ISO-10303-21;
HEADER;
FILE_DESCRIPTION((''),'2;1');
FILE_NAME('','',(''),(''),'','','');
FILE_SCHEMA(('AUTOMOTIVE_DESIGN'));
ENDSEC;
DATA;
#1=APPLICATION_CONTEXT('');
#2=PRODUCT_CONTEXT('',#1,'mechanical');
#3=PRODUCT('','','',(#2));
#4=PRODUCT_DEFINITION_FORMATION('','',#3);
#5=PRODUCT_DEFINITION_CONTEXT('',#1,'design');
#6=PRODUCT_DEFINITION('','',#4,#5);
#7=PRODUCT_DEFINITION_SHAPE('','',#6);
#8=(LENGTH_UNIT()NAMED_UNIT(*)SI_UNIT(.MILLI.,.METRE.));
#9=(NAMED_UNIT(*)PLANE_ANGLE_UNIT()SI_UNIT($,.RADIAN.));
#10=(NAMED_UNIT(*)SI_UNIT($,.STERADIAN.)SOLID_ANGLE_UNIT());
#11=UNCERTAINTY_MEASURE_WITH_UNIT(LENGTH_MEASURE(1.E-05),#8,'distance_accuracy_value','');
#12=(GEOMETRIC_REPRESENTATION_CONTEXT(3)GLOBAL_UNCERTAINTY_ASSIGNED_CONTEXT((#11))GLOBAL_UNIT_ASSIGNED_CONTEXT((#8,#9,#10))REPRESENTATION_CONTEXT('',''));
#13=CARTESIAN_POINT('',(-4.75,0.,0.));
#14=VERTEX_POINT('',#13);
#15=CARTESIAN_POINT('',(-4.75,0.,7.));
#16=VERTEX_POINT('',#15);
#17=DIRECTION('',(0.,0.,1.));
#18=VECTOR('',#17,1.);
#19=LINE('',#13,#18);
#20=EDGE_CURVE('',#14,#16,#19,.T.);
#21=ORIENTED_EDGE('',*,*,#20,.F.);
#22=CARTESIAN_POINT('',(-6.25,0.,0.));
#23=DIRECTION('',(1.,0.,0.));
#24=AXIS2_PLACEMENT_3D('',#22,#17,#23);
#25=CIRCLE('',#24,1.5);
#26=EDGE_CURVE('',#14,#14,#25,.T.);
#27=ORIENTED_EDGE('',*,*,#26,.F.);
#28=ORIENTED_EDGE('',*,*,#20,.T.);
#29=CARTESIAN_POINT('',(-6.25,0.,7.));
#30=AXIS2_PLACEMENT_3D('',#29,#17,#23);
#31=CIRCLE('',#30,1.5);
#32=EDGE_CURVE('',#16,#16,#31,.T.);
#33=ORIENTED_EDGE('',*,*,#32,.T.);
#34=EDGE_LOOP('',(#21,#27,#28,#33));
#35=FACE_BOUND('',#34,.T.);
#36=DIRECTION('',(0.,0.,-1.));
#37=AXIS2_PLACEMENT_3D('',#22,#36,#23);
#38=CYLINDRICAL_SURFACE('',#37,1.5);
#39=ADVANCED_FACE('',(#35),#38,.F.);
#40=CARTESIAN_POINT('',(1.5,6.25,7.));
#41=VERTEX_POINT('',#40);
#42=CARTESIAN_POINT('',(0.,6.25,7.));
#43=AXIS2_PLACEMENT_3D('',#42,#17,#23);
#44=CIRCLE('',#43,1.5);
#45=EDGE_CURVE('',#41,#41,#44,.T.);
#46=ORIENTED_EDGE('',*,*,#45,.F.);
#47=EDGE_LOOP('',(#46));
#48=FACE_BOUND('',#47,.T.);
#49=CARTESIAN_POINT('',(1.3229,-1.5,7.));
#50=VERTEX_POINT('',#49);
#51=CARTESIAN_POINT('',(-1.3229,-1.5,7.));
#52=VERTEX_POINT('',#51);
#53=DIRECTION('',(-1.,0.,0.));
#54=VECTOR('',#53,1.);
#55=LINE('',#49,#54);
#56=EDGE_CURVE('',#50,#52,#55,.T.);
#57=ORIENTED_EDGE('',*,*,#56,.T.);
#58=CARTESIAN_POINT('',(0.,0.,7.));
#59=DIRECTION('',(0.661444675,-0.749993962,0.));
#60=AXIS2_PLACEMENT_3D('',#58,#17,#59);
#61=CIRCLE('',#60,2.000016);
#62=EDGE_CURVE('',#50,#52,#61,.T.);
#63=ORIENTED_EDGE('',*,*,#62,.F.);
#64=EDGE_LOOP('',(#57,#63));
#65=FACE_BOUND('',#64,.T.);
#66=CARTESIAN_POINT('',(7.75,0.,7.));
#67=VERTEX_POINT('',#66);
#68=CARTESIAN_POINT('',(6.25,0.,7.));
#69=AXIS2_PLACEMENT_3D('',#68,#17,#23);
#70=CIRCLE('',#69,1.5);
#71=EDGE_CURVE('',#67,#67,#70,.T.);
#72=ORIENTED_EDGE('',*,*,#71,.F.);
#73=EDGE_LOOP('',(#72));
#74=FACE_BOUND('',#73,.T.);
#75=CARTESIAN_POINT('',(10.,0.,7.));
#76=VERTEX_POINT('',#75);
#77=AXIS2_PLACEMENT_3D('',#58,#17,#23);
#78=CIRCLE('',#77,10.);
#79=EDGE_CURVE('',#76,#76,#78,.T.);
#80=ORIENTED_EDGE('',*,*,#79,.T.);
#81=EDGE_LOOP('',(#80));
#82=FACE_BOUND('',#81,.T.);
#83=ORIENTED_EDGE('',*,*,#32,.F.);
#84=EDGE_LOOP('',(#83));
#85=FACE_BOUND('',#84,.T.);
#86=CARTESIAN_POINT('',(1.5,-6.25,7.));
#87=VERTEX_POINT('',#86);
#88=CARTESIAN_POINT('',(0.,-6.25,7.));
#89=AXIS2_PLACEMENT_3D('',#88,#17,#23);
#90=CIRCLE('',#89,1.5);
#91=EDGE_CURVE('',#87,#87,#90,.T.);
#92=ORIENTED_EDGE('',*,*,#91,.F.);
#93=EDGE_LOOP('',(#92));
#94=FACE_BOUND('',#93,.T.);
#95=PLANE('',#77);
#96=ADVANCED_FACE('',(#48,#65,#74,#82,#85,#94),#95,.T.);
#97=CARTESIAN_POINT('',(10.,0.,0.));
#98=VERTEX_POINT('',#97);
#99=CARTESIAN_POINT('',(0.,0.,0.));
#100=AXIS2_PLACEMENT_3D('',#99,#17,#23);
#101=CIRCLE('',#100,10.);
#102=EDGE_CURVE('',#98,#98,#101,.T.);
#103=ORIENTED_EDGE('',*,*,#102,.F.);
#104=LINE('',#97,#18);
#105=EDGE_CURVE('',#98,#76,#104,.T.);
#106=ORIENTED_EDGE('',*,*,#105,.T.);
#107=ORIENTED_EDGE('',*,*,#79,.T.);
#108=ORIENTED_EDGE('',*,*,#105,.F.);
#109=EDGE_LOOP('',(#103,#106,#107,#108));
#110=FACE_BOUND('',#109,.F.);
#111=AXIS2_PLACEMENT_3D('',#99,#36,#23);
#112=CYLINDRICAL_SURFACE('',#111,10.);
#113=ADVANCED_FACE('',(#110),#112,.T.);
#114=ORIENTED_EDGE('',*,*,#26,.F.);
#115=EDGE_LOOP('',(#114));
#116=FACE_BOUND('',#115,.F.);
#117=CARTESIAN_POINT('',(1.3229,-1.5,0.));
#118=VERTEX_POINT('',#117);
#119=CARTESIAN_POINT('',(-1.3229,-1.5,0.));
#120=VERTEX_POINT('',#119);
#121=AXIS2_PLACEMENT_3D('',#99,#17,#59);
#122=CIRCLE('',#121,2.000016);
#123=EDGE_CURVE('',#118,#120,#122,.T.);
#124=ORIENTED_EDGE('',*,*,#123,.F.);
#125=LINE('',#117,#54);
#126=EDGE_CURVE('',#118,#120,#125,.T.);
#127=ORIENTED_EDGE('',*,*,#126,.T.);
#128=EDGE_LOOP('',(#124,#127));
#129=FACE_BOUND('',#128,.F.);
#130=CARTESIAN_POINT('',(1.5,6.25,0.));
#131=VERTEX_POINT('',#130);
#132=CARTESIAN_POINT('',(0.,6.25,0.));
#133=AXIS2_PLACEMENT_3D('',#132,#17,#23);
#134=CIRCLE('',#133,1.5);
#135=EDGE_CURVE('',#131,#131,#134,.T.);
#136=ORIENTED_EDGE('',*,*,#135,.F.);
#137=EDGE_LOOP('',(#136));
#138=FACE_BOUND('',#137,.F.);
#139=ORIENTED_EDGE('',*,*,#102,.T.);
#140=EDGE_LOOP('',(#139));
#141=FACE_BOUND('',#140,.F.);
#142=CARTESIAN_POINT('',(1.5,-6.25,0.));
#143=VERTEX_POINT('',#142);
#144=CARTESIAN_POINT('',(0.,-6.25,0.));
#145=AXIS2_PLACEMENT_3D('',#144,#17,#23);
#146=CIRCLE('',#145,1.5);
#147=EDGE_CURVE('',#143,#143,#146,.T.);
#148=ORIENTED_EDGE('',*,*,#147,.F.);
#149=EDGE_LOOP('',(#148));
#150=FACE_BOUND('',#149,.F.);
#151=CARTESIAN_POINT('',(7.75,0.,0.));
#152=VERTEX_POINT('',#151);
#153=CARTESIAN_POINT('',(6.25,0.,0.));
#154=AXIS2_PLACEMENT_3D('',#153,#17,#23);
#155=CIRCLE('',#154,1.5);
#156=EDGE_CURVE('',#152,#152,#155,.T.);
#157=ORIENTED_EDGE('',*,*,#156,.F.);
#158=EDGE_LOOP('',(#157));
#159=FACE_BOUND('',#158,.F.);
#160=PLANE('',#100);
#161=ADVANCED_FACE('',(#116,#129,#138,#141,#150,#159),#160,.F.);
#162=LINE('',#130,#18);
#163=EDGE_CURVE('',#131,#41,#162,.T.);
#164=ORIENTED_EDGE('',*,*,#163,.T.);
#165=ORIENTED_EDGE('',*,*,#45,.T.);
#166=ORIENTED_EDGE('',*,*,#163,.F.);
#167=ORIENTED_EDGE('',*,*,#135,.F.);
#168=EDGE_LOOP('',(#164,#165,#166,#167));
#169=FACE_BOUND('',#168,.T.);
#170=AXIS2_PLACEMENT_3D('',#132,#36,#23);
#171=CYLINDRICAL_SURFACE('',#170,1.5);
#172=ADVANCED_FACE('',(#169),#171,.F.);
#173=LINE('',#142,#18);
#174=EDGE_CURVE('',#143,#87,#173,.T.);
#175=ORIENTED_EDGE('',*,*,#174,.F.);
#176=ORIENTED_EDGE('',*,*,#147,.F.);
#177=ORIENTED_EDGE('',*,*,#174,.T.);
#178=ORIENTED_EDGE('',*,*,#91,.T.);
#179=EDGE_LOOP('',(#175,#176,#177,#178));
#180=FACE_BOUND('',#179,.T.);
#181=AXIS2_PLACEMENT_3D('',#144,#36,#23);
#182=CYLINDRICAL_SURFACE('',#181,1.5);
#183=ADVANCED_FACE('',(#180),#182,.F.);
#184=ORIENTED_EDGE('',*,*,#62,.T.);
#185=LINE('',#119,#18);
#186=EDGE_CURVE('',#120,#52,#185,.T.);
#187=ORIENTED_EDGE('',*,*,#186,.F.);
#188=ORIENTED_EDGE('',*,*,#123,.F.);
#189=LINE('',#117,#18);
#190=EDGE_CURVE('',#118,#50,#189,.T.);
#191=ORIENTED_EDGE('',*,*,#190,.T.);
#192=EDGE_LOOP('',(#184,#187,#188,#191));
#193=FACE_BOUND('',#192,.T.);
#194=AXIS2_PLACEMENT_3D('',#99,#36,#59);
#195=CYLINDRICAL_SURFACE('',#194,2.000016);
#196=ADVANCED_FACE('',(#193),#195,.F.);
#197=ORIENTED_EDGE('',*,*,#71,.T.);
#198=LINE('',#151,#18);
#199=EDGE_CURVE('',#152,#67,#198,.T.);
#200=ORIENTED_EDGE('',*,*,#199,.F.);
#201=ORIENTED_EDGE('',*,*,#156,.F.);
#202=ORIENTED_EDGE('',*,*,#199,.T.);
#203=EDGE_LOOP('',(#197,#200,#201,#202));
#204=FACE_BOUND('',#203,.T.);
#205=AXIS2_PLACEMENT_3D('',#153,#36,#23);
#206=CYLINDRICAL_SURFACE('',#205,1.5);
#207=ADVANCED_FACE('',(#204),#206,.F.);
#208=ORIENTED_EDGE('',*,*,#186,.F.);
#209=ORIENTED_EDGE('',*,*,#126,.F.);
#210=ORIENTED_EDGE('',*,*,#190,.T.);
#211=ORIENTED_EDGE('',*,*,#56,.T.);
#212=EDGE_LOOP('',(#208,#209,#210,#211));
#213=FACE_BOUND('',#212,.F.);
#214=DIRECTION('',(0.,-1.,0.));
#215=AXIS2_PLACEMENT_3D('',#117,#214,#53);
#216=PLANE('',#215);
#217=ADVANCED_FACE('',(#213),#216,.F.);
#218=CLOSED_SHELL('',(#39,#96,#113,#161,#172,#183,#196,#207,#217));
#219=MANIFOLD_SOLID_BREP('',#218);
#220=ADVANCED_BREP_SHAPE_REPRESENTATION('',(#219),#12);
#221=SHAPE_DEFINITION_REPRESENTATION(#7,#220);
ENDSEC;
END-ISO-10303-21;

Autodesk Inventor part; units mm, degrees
ref_plane "YZ Plane" through (0, 0, 0) normal (1, 0, 0) x (0, 1, 0)
ref_plane "XZ Plane" through (0, 0, 0) normal (0, 1, 0) x (-1, 0, 0)
ref_plane "XY Plane" through (0, 0, 0) normal (0, 0, 1) x (1, 0, 0)
sketch "Эскиз1" plane through (0, 0, 0) normal (0, 0, 1) x (1, 0, 0)
  circle A0 centre (0, 0) radius 10
  line L0 (0, 0) -> (-6.25, 0) construction
  line L1 (0, 0) -> (6.25, 0) construction
  circle A1 centre (-6.25, 0) radius 1.5
  circle A2 centre (6.25, 0) radius 1.5
  circle A3 centre (0, -6.25) radius 1.5
  circle A4 centre (0, 6.25) radius 1.5
  line L2 (0, 0) -> (0, -6.25) construction
  line L3 (0, 0) -> (0, 6.25) construction
  arc A5 (1.3229, -1.5) -> (-1.3229, -1.5) centre (0, 0) ccw
  line L4 (0, 0) -> (0, -1.5) construction
  line L5 (1.3229, -1.5) -> (-1.3229, -1.5)
  dimension "d0" = 20
  dimension "d1" = 6.25
  dimension "d2" = 6.25
  dimension "d3" = 3
  dimension "d4" = 3
  dimension "d7" = 90
  dimension "d9" = 4
  dimension "d10" = 1.5
extrude "Выдавливание1" add sketch "Эскиз1" along normal blind 7
properties part number "sleeve for kick"
